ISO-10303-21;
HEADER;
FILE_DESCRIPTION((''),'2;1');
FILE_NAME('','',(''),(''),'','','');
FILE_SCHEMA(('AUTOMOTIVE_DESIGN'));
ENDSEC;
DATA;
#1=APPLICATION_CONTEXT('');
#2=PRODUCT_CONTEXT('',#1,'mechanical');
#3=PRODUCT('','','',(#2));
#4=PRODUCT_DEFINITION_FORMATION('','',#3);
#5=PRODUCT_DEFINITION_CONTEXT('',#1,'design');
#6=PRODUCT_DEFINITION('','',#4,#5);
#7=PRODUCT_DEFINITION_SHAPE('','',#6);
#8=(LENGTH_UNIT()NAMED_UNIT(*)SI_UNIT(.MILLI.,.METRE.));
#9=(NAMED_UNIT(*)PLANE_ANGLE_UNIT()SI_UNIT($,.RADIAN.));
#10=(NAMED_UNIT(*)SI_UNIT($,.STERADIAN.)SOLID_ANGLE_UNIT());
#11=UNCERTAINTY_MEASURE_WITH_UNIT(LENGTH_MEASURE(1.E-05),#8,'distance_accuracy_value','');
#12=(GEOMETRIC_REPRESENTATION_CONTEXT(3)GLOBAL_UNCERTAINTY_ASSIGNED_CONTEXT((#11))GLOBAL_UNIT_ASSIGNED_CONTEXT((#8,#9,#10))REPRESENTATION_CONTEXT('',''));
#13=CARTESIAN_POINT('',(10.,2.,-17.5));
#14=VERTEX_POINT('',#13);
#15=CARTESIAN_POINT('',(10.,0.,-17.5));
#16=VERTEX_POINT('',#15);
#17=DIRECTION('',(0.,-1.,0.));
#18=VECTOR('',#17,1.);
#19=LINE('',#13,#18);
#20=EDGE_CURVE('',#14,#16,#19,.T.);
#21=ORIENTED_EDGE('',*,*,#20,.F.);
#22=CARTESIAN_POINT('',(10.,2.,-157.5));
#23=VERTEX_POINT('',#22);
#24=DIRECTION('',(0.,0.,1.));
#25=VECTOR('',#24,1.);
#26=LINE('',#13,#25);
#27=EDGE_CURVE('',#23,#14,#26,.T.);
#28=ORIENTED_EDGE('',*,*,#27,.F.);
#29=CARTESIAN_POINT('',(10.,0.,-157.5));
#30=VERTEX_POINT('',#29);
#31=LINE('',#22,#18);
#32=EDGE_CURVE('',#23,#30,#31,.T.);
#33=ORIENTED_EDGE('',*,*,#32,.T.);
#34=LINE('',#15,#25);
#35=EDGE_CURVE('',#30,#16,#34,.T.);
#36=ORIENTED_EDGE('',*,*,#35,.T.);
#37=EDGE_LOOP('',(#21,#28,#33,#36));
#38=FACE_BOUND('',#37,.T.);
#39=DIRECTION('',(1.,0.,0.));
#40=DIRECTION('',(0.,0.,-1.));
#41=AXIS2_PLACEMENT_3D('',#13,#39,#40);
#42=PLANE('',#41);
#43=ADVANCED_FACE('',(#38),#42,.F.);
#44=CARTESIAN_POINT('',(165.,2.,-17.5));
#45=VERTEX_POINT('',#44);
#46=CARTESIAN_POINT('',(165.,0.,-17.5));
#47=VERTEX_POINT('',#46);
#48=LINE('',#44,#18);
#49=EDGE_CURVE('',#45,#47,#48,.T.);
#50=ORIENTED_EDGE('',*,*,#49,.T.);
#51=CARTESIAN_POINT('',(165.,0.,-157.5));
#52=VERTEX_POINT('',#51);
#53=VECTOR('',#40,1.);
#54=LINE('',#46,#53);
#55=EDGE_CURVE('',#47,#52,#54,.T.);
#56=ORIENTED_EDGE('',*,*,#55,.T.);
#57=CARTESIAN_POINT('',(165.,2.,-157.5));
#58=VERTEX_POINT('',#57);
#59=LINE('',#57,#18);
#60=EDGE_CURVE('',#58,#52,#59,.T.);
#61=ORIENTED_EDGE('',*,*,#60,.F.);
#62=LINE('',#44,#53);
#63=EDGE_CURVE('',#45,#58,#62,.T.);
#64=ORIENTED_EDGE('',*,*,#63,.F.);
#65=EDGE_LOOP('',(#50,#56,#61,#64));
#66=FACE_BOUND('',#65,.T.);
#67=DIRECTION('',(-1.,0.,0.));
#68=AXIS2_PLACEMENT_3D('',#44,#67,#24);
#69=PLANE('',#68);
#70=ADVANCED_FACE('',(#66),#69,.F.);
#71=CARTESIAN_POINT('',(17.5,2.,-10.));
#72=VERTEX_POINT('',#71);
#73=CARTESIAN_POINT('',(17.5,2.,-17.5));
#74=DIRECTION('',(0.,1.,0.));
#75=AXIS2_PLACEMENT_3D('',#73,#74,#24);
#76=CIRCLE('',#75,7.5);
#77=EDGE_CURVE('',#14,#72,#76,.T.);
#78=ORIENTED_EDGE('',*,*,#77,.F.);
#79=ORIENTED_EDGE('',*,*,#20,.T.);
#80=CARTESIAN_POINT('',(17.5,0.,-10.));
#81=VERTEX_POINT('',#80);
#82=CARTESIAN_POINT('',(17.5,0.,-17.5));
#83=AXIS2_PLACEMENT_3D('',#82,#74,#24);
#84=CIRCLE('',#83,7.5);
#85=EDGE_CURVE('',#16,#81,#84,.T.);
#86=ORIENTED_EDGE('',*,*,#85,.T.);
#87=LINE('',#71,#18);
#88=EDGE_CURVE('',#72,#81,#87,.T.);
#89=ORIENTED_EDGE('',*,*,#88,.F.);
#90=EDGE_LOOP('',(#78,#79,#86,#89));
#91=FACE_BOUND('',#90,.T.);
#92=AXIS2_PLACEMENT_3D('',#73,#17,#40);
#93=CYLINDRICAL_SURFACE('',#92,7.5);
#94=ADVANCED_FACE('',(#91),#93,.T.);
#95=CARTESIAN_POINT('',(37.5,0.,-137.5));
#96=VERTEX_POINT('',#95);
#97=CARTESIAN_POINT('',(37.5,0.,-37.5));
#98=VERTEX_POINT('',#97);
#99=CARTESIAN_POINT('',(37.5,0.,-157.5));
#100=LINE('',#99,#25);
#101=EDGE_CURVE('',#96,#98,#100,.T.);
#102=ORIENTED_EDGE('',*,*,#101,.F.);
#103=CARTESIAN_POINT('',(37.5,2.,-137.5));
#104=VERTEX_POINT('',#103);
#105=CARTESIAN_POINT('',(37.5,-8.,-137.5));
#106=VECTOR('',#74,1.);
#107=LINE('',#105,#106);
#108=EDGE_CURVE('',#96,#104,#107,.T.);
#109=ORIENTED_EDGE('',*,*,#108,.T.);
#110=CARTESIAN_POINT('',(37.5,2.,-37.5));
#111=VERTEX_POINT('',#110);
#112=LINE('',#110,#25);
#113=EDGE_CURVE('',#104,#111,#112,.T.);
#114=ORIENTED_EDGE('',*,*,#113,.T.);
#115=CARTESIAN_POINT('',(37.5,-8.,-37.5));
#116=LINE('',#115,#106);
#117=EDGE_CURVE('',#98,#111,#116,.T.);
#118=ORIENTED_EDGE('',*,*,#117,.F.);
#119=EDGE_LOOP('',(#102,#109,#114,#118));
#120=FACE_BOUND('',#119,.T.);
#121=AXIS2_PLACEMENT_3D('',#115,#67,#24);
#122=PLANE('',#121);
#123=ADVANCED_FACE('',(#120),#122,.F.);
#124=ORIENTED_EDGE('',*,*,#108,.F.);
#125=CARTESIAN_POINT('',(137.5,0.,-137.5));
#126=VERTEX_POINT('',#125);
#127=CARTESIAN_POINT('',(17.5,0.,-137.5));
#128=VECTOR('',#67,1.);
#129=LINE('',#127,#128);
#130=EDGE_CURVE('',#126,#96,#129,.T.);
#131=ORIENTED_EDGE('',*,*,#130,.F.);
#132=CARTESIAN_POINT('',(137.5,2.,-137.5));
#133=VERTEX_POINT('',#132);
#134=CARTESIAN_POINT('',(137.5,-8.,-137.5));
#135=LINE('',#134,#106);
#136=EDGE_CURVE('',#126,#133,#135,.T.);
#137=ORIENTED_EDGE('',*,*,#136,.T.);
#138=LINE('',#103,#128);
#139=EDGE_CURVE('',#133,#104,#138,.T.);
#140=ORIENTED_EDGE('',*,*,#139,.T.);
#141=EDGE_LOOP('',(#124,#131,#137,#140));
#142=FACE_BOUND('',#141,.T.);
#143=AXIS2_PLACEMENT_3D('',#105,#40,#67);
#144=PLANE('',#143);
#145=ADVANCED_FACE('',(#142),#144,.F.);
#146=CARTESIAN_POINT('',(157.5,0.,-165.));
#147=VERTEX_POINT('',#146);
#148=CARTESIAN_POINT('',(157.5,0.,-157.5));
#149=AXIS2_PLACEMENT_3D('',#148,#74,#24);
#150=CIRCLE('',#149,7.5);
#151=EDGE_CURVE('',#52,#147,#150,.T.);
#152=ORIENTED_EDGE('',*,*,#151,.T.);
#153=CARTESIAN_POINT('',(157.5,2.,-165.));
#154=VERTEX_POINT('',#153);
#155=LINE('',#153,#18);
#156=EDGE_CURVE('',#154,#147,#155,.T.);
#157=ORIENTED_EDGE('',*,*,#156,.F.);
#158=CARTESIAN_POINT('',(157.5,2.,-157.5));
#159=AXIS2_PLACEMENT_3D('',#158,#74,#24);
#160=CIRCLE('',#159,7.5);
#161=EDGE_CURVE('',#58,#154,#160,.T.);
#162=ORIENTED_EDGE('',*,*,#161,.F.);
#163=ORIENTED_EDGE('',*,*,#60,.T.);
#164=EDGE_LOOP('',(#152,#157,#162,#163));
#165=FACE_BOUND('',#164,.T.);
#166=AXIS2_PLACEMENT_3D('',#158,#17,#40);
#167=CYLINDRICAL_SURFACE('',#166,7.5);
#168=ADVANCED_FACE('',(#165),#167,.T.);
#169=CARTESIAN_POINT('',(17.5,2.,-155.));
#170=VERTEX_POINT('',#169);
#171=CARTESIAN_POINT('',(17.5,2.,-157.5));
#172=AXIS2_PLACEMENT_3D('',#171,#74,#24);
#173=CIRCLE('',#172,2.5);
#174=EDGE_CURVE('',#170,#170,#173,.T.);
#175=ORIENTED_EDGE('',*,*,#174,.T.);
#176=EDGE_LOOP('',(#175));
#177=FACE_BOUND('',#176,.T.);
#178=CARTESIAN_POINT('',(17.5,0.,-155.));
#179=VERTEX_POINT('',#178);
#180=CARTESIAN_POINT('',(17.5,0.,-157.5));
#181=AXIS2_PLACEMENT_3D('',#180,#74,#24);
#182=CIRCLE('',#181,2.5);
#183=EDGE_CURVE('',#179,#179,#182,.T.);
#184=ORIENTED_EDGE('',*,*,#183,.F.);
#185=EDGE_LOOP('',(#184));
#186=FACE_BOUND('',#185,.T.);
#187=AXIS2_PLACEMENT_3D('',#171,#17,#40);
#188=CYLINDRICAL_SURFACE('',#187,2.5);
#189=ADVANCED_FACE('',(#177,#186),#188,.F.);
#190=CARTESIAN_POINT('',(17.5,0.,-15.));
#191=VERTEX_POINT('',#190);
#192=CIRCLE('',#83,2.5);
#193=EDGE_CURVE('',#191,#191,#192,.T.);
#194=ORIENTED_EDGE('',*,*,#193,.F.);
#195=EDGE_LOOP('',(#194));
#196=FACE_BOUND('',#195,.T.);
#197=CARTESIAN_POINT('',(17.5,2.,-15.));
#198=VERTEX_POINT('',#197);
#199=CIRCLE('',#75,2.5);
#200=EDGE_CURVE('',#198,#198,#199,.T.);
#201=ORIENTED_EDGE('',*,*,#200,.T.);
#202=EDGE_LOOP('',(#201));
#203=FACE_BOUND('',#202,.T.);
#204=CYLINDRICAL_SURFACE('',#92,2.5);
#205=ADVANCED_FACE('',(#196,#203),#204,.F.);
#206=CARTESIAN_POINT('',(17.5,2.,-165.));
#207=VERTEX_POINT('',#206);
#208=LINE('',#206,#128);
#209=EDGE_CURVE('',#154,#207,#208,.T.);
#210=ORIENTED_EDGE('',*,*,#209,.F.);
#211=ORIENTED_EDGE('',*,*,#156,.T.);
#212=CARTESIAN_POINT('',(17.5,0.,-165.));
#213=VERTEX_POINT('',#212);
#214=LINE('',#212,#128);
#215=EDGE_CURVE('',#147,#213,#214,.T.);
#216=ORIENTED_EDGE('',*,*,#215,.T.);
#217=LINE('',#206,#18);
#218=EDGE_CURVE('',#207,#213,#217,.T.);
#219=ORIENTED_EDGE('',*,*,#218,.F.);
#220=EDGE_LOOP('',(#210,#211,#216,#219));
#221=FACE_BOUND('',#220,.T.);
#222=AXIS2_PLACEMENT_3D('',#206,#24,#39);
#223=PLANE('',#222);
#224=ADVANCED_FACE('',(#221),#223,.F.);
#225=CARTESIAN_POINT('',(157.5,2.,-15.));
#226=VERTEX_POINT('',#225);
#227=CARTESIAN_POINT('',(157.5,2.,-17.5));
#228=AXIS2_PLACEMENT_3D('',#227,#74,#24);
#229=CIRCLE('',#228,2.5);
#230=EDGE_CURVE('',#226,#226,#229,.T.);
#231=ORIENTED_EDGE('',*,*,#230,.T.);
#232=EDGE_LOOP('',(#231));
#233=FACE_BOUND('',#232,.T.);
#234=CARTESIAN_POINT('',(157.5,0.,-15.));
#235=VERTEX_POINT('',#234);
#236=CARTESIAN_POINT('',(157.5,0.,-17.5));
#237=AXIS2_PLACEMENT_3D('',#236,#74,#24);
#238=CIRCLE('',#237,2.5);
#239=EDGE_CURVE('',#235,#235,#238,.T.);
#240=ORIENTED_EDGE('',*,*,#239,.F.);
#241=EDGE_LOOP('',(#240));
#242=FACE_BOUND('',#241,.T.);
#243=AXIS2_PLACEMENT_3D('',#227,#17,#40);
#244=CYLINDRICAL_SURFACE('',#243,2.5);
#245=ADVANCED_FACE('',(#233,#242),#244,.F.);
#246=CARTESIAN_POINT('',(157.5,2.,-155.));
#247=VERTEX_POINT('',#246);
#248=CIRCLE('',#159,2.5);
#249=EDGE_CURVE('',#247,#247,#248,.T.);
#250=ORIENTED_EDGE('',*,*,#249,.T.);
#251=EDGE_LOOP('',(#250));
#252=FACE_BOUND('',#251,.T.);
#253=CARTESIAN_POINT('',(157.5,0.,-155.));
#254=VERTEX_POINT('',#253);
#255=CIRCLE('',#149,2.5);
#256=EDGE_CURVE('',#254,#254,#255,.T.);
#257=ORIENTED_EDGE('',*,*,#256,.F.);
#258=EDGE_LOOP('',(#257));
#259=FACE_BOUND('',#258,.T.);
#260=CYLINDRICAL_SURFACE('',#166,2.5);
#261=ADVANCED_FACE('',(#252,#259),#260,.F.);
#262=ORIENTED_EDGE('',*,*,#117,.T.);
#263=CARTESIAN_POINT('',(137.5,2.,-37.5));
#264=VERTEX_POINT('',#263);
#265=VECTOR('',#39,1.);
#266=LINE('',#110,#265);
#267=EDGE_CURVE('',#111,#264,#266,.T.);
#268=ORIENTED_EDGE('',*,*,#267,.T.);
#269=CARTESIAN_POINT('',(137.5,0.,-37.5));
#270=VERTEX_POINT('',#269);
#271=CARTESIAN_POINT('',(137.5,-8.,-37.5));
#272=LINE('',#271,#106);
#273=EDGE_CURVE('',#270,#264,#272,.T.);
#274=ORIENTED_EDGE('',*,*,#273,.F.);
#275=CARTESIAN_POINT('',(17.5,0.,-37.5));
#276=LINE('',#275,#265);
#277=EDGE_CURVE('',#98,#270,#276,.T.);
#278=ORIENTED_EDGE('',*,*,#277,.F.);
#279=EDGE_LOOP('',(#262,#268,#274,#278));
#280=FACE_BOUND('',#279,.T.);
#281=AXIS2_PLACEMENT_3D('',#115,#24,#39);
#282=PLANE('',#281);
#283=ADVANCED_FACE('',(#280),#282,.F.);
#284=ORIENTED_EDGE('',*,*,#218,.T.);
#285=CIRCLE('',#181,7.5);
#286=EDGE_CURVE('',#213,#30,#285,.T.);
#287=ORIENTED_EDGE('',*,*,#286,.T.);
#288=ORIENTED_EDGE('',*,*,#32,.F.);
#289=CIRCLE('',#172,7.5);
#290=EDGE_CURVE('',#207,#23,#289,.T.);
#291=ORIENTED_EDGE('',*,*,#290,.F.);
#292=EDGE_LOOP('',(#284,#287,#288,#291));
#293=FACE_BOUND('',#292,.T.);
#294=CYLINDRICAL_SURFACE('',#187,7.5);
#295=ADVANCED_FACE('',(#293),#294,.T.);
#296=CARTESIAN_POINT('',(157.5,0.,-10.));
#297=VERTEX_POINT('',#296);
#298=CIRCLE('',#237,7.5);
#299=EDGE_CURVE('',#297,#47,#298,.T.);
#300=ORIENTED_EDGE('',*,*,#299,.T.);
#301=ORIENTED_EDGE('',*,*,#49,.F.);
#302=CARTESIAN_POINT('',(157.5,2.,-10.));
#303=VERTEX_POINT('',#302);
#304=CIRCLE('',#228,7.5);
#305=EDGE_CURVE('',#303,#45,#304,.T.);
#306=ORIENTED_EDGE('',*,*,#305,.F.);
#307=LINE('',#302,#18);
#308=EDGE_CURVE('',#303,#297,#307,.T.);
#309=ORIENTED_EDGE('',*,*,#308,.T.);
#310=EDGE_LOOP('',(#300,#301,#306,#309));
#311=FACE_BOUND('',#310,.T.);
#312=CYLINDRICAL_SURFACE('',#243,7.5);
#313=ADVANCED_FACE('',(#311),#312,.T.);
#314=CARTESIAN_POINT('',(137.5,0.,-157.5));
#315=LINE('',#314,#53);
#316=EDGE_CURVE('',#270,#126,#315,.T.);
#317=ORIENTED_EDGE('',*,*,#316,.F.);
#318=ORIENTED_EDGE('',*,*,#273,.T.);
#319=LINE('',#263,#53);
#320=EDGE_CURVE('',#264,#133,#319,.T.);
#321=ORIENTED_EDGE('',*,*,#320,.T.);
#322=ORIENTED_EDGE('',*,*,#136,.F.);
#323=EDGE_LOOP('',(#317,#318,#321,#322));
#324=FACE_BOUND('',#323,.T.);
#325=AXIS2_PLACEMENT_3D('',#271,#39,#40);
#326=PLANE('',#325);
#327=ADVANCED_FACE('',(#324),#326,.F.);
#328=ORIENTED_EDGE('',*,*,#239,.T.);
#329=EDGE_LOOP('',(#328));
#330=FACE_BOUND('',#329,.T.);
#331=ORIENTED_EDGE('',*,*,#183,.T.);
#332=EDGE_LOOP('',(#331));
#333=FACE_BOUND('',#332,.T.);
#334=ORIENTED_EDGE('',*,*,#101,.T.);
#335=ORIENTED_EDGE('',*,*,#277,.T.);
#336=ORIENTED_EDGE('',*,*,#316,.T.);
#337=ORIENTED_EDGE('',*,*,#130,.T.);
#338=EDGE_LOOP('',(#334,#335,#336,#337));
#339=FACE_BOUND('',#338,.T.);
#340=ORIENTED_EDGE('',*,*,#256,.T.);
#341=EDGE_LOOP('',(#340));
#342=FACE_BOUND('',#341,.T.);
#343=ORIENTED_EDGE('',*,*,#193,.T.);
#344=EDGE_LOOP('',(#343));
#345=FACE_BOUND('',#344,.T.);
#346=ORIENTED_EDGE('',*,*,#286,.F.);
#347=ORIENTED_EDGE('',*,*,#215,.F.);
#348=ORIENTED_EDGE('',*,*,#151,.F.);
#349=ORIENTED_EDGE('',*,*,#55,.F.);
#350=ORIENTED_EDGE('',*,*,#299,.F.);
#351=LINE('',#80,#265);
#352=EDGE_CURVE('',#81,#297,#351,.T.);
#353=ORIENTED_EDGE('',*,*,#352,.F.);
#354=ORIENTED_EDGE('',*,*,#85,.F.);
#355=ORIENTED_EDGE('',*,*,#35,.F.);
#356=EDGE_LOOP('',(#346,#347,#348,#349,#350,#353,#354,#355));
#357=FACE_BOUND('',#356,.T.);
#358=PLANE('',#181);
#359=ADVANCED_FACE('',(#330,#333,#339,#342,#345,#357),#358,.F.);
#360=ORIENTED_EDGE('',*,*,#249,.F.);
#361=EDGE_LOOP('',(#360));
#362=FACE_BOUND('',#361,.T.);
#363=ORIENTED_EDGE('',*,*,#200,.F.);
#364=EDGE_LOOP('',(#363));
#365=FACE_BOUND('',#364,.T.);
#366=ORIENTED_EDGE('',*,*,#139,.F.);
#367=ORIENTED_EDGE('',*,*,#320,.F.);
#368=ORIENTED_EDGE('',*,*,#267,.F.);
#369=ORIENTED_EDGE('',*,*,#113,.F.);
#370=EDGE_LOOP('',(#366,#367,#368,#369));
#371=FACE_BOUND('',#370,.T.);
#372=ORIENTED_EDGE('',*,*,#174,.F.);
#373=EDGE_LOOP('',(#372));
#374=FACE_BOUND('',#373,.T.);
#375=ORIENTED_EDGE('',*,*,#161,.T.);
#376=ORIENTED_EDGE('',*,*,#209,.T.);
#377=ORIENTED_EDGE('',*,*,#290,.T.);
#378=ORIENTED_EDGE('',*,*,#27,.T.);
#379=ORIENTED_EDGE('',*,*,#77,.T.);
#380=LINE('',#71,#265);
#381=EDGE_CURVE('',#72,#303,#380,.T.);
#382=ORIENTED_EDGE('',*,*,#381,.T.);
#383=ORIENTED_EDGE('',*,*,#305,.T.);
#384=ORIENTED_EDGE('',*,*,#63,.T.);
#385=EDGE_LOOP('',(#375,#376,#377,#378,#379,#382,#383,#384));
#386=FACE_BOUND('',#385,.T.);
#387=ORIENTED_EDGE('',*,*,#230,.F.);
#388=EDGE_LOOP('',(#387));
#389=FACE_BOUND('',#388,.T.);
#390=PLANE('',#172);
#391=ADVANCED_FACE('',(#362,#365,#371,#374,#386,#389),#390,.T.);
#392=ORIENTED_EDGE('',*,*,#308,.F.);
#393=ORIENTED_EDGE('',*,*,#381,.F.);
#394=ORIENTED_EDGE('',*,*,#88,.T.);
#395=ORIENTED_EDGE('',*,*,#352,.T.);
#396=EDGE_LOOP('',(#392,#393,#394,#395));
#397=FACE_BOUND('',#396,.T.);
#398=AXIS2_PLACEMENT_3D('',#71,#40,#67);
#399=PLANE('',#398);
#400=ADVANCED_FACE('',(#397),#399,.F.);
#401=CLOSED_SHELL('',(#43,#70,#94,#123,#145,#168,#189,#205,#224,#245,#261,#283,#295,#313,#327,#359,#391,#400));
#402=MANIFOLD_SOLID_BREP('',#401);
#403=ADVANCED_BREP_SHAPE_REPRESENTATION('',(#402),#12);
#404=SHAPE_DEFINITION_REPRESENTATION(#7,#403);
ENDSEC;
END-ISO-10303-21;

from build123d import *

# Parameters (mm, degrees)
CROQUIS1_R              = 2.5
SALIENTE_EXTRUIR1_DEPTH = 2
CROQUIS2_W              = 100
CROQUIS2_H              = 100
CORTAR_EXTRUIR1_DEPTH   = 10


with BuildPart() as part:
    # Croquis1 → Saliente-Extruir1 (new body)
    with BuildSketch(Plane(origin=(0, 0, 0), x_dir=(1, 0, 0), z_dir=(0, 1, 0))):
        with BuildLine():
            Line((17.5, 10), (157.5, 10))
            ThreePointArc((157.5, 10), (162.803300859, 12.196699141), (165, 17.5))
            Line((165, 17.5), (165, 157.5))
            ThreePointArc((165, 157.5), (162.803300859, 162.803300859), (157.5, 165))
            Line((157.5, 165), (17.5, 165))
            ThreePointArc((17.5, 165), (12.196699141, 162.803300859), (10, 157.5))
            Line((10, 157.5), (10, 17.5))
            ThreePointArc((10, 17.5), (12.196699141, 12.196699141), (17.5, 10))
        make_face()
        with Locations(Location((17.5, 157.5, 0), (0, 0, 270))):
            Circle(CROQUIS1_R, mode=Mode.SUBTRACT)
        with Locations(Location((157.5, 157.5, 0), (0, 0, 270))):
            Circle(CROQUIS1_R, mode=Mode.SUBTRACT)
        with Locations(Location((157.5, 17.5, 0), (0, 0, 270))):
            Circle(CROQUIS1_R, mode=Mode.SUBTRACT)
        with Locations(Location((17.5, 17.5, 0), (0, 0, 270))):
            Circle(CROQUIS1_R, mode=Mode.SUBTRACT)
    extrude(amount=SALIENTE_EXTRUIR1_DEPTH)

    # Croquis2 → Cortar-Extruir1 (cut)
    with BuildSketch(Plane(origin=(0, 2, 0), x_dir=(1, 0, 0), z_dir=(0, 1, 0))):
        with Locations((87.5, 87.5)):
            Rectangle(CROQUIS2_W, CROQUIS2_H)
    extrude(amount=-CORTAR_EXTRUIR1_DEPTH, mode=Mode.SUBTRACT)


solid = part.part
